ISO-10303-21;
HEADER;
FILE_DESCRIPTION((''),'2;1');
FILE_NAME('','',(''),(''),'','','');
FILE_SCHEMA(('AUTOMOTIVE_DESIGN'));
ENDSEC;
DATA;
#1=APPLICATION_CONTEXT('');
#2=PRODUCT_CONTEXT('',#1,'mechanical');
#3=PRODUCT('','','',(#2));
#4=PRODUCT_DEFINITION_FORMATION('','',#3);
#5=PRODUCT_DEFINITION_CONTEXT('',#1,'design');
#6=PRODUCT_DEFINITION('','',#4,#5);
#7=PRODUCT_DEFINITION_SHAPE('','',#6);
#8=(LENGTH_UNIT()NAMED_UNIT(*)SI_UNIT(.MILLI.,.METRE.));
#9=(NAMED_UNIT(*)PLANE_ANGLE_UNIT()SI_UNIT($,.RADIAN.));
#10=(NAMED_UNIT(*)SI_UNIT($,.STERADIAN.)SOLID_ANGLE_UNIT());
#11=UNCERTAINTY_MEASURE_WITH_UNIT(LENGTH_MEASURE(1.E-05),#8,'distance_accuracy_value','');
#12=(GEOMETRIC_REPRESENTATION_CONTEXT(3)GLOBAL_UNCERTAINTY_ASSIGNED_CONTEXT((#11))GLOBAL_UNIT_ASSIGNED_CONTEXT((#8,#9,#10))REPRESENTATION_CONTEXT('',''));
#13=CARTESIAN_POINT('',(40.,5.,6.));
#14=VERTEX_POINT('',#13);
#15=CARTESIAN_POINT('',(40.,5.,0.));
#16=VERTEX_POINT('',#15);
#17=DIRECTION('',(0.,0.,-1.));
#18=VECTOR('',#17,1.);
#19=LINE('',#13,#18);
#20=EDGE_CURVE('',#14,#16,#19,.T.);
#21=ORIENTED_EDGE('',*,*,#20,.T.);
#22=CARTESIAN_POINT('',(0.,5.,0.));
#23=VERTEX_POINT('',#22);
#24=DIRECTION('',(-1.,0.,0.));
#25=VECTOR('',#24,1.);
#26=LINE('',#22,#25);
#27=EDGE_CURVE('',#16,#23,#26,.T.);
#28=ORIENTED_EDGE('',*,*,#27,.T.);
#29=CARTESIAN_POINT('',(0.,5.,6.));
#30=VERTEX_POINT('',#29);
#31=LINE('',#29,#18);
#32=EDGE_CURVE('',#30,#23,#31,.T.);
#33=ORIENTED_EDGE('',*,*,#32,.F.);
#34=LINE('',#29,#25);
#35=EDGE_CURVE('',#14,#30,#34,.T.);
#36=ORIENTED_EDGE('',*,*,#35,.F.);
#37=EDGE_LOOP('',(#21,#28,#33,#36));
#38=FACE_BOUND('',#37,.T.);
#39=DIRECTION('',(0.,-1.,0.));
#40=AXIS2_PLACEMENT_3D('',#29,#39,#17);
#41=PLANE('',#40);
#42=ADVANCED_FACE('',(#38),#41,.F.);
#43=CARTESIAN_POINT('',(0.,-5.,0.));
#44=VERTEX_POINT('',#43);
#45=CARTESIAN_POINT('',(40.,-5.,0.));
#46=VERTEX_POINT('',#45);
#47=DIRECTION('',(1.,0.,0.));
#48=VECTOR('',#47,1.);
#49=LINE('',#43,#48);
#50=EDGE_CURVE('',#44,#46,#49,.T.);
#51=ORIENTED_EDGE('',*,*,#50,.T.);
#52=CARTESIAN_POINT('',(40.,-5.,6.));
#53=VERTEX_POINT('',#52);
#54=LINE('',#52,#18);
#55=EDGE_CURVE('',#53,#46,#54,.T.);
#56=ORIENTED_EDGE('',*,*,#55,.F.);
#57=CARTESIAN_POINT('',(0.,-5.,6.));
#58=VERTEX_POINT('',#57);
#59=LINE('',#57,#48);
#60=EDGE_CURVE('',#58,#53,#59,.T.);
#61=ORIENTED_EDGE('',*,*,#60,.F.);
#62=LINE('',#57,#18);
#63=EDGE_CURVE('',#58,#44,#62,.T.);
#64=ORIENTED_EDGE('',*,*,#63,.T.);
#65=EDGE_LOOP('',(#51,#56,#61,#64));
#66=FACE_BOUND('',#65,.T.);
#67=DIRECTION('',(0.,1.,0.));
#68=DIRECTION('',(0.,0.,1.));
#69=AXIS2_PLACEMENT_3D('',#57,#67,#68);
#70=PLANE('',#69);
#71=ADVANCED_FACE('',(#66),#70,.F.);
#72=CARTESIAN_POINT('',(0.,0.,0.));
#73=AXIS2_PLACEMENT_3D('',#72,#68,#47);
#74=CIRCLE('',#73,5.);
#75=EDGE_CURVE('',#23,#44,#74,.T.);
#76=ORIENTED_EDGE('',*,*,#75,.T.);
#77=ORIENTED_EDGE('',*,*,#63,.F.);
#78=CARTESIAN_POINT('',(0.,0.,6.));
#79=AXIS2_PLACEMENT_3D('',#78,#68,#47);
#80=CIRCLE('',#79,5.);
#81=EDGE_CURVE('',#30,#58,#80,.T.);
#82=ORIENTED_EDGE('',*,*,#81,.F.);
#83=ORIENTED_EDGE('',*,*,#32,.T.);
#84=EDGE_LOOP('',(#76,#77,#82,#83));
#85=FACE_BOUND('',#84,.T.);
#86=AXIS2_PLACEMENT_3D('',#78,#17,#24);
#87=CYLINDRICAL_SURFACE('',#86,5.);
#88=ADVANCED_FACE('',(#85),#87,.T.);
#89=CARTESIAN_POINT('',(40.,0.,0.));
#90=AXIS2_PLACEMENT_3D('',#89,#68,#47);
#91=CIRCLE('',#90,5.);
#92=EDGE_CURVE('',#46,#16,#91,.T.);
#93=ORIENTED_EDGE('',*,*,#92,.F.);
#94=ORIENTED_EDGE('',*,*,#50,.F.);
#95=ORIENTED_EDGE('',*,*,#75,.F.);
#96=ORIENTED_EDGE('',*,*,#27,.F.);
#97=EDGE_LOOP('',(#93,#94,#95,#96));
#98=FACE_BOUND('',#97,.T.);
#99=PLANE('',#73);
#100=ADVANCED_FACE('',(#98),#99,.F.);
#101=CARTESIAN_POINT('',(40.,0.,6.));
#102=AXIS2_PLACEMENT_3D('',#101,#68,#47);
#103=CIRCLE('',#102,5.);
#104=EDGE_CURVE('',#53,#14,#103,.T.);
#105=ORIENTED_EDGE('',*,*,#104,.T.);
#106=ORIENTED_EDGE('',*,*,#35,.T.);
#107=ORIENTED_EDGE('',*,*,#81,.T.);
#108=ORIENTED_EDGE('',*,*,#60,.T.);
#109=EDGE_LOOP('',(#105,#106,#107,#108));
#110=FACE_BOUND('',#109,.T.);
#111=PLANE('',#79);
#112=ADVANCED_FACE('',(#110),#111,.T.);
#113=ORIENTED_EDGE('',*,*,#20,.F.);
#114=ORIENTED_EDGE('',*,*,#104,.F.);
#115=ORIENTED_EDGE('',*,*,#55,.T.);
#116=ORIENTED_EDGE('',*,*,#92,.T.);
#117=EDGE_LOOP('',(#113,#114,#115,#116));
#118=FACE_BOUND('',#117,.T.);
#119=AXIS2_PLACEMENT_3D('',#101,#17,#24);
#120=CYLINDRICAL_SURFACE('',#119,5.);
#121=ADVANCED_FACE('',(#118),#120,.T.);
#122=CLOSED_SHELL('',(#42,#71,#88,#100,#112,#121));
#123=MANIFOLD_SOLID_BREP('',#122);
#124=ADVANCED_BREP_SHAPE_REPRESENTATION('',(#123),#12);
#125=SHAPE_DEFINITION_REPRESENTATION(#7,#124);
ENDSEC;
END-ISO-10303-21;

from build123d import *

# Parameters (mm, degrees)
BOSS_EXTRUDE1_DEPTH = 6


with BuildPart() as part:
    # Sketch1 → Boss-Extrude1 (new body)
    with BuildSketch(Plane.XY):
        with BuildLine():
            Line((0, 5), (40, 5))
            ThreePointArc((40, 5), (45, 0), (40, -5))
            Line((40, -5), (0, -5))
            ThreePointArc((0, -5), (-5, 0), (0, 5))
        make_face()
    extrude(amount=BOSS_EXTRUDE1_DEPTH)


solid = part.part
